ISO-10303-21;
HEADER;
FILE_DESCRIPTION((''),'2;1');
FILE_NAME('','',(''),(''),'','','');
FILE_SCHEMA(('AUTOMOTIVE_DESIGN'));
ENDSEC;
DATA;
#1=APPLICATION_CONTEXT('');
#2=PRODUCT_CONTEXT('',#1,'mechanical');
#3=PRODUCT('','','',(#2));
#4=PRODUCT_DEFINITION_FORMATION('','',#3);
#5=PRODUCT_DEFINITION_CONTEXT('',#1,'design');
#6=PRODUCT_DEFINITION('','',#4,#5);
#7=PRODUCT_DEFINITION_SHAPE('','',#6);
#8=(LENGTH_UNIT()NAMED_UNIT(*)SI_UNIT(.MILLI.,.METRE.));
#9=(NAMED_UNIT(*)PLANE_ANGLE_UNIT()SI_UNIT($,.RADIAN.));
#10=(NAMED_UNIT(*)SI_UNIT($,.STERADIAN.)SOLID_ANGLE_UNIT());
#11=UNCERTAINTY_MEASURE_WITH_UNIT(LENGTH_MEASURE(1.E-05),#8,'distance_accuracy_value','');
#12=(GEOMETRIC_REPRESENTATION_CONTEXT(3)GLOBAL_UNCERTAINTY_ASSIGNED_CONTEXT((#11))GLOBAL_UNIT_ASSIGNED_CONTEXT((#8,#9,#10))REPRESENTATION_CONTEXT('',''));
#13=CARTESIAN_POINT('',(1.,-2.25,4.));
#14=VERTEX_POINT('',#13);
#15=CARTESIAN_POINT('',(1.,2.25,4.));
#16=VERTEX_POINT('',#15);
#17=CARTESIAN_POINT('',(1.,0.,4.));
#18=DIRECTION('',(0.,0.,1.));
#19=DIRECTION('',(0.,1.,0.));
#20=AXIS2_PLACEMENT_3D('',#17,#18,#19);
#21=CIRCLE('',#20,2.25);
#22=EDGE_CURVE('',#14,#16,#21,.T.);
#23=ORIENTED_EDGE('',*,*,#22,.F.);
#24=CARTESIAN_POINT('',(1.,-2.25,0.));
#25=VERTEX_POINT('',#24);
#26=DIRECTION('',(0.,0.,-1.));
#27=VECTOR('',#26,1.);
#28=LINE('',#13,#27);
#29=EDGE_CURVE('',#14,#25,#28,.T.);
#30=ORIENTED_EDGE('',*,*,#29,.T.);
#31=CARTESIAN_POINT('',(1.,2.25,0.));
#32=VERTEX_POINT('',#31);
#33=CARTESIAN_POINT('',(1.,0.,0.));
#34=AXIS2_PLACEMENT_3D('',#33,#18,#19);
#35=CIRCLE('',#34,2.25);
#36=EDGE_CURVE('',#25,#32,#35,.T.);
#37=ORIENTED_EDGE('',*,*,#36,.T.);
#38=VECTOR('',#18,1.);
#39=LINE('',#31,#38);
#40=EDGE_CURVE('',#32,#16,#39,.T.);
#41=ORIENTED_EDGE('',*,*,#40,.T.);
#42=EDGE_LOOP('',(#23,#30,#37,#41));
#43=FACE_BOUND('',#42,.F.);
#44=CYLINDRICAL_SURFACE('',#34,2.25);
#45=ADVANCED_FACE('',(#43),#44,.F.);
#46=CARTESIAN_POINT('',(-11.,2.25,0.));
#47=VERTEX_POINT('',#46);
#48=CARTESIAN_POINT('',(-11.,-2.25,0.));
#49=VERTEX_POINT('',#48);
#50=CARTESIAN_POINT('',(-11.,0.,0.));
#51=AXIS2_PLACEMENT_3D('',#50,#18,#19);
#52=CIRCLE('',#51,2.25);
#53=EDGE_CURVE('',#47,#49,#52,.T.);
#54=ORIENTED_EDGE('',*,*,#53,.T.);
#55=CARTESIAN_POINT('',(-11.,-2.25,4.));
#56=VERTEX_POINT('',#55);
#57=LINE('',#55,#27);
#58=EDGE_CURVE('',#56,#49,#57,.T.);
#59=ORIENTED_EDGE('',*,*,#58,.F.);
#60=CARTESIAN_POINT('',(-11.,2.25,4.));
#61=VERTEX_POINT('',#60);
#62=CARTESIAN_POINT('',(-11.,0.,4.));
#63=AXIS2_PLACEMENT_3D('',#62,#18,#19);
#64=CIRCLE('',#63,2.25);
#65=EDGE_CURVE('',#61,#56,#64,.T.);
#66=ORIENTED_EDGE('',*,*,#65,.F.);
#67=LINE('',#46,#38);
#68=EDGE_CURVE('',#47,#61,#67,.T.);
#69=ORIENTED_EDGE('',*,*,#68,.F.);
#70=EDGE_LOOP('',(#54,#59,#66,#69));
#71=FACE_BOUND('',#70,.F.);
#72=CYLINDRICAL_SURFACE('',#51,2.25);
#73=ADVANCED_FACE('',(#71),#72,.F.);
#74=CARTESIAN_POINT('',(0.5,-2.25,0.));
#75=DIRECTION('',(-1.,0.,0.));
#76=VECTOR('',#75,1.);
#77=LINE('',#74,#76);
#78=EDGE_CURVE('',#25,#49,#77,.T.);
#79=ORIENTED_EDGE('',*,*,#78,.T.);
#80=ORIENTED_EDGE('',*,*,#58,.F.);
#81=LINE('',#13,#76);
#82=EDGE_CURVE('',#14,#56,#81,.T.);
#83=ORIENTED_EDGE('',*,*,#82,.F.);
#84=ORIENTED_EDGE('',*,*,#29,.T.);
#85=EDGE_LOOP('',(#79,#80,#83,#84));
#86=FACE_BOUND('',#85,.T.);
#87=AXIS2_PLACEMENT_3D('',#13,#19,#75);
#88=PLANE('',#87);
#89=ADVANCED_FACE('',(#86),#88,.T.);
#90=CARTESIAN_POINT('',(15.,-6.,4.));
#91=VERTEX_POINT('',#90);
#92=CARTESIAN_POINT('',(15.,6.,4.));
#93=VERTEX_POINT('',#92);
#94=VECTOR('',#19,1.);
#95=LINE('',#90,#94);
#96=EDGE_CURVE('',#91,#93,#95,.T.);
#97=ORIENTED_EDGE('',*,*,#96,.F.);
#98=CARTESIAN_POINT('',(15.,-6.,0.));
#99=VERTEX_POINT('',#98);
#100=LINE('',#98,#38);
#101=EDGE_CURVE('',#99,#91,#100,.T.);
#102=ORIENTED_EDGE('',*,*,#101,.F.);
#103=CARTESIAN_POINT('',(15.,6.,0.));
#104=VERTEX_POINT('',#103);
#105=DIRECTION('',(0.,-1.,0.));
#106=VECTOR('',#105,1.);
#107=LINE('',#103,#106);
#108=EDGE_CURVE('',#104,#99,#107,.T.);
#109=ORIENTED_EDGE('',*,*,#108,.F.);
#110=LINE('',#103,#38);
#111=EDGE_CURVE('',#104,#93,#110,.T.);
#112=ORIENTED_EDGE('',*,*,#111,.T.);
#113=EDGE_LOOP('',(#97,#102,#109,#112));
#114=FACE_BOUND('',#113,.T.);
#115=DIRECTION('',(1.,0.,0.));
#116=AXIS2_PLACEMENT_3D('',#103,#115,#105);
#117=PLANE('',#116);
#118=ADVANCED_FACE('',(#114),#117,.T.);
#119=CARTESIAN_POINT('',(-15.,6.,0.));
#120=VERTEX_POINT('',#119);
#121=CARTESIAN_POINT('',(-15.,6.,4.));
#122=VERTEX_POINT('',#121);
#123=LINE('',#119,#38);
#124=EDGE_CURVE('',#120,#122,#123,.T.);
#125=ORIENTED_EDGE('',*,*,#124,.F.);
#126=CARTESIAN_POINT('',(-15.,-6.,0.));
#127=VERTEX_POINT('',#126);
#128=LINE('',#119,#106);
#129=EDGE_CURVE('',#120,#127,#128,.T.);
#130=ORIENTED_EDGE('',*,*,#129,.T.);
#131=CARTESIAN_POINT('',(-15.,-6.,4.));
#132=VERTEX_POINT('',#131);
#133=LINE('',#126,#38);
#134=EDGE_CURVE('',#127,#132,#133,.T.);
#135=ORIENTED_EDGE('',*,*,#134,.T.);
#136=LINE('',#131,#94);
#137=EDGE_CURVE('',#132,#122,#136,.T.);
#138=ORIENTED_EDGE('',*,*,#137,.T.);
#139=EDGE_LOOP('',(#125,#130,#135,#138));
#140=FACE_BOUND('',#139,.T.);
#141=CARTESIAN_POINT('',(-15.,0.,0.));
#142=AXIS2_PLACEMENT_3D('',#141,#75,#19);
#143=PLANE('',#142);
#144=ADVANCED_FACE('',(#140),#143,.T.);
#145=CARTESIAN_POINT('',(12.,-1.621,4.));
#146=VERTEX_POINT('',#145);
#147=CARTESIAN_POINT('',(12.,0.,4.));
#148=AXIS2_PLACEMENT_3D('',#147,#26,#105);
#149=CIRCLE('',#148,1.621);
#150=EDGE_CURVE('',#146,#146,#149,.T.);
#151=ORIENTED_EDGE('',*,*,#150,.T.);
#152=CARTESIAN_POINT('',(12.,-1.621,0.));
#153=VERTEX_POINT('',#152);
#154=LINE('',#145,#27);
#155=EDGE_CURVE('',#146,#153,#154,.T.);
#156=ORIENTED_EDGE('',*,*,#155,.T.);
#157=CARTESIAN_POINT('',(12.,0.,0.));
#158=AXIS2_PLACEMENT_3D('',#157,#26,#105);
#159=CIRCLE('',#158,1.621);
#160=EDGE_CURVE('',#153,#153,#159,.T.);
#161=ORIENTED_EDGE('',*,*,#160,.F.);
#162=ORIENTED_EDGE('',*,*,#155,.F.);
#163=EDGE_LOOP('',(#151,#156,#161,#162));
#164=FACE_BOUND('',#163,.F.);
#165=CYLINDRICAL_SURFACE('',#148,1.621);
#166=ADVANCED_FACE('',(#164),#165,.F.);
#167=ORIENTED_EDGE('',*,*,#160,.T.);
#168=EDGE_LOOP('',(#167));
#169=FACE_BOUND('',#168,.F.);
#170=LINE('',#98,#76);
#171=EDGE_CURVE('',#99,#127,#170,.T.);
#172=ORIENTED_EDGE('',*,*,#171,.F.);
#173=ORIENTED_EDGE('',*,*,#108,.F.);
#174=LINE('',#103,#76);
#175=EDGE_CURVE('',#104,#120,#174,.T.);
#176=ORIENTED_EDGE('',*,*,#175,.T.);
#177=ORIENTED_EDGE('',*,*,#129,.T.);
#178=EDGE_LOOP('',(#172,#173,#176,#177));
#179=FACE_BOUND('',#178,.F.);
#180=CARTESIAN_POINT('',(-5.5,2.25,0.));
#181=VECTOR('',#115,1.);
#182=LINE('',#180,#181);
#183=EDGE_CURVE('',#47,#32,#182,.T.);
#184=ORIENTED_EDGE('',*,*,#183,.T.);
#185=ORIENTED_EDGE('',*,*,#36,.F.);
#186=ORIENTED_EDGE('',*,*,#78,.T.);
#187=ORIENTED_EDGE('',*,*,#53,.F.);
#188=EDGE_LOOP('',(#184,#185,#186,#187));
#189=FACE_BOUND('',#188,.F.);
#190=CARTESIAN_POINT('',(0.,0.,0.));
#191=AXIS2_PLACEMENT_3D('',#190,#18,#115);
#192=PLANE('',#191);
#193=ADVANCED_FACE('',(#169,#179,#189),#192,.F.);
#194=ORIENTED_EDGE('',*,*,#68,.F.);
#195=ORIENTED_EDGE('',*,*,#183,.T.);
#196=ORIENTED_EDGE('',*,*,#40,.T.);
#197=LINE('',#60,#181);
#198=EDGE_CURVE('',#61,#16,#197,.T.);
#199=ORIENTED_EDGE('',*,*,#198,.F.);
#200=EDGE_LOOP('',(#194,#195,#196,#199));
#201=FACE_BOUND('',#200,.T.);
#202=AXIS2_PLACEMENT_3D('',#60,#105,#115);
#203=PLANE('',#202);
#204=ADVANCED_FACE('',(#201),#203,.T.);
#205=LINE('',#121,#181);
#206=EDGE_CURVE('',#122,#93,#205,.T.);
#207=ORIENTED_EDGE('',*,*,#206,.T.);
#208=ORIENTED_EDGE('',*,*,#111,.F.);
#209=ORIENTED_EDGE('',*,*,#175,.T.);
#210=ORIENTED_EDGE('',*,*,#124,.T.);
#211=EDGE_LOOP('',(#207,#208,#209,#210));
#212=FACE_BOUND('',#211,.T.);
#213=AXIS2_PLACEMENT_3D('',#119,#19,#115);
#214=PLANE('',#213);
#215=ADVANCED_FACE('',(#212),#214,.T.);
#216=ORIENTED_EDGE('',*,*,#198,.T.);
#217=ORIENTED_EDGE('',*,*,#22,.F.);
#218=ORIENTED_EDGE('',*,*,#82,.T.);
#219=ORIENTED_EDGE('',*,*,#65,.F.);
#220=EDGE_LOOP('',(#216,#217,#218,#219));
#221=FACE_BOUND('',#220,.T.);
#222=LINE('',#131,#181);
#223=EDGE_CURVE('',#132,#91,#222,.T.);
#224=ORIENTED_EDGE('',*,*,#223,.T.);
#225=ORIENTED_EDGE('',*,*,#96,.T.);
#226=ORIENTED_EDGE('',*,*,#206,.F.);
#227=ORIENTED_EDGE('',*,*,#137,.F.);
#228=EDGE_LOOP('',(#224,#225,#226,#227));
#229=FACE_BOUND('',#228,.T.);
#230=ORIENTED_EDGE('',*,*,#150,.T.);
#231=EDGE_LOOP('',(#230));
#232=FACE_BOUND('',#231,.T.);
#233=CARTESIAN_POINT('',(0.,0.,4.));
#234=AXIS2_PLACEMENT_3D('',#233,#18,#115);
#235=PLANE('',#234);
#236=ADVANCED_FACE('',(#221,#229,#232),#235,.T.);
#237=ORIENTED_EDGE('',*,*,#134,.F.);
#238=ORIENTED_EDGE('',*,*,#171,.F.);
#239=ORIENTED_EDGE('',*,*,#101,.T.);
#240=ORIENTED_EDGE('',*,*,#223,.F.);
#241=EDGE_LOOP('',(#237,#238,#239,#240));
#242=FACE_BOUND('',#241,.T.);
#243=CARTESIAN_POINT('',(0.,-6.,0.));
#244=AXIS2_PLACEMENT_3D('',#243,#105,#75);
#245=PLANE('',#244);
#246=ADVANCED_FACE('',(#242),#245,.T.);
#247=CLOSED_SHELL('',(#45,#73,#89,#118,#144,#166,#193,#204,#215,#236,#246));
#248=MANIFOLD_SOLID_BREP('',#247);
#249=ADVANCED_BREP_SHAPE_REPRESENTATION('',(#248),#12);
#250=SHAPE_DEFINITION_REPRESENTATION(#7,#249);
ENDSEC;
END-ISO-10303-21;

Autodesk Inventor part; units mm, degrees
ref_plane "YZ Plane" through (0, 0, 0) normal (1, 0, 0) x (0, 1, 0)
ref_plane "XZ Plane" through (0, 0, 0) normal (0, 1, 0) x (-1, 0, 0)
ref_plane "XY Plane" through (0, 0, 0) normal (0, 0, 1) x (1, 0, 0)
sketch "Skizze1" plane through (0, 0, 0) normal (0, 0, 1) x (1, 0, 0)
  line L0 (-21, 0) -> (21, 0) projected
  line L1 (0, -8.4) -> (0, 8.4) projected
  line L2 (15, -6) -> (-15, -6)
  line L3 (-15, -6) -> (-15, 6)
  line L4 (-15, 6) -> (15, 6)
  line L5 (15, 6) -> (15, -6)
  line L6 (15, -6) -> (-15, 6) construction
  line L7 (-15, -6) -> (15, 6) construction
  point P0 (0, 0)
  dimension "d0" = 12
  dimension "d1" = 30
extrude "Extrusion1" add sketch "Skizze1" along normal blind 4
sketch "Skizze2" plane through (0, 0, 0) normal (0, 0, -1) x (-1, 0, 0)
  line L0 (15, -6) -> (-15, -6) projected
  line L1 (15, 6) -> (15, -6) projected
  line L2 (-15, 6) -> (15, 6) projected
  line L3 (21, 0) -> (-21, 0) projected
  line L4 (0, -8.4) -> (0, 8.4) projected
  point P0 (0, 0)
  point P1 (-1, 0)
  point P2 (11, 0)
  point P3 (15, 0)
  dimension "d5" = 4
  dimension "d6" = 16
hole "Bohrung1" at (1, 0, 0) at (-11, 0, 0) direction (0, 0, 1) diameter 4.5 end through all
sketch "Skizze3" plane through (0, 0, 4) normal (0, 0, 1) x (1, 0, 0)
  circle A0 centre (-11, 0) radius 2.25 projected
  circle A1 centre (1, 0) radius 2.25 projected
  line L0 (-15, -6) -> (15, -6) projected
  line L1 (15, -6) -> (15, 6) projected
  line L2 (15, 6) -> (-15, 6) projected
  line L3 (-15, 6) -> (-15, -6) projected
  line L4 (-21, 0) -> (21, 0) projected
  line L5 (0, -8.4) -> (0, 8.4) projected
  point P0 (0, 0)
  point P1 (12, 0)
  dimension "d14" = 3
hole "Bohrung2" at (12, 0, 4) direction (0, 0, -1) diameter 3.242 end through all thread size "M4x0.7" class "6H" standard "ISO Metric profile"
sketch "Skizze4" plane through (0, 0, 4) normal (0, 0, 1) x (1, 0, 0)
  circle A0 centre (12, 0) radius 1.621 projected
  circle A1 centre (-11, 0) radius 2.25 projected
  circle A2 centre (1, 0) radius 2.25 projected
  line L0 (-15, -6) -> (15, -6) projected
  line L1 (15, -6) -> (15, 6) projected
  line L2 (15, 6) -> (-15, 6) projected
  line L3 (-15, 6) -> (-15, -6) projected
  line L4 (-11, 2.25) -> (1, 2.25)
  line L5 (1, 2.25) -> (1, -2.25)
  line L6 (1, -2.25) -> (-11, -2.25)
  line L7 (-11, -2.25) -> (-11, 2.25)
  circle A3 centre (1, 0) radius 2.25 projected
  point P0 (0, 0)
extrude "Extrusion2" cut sketch "Skizze4" against normal through all contours A1 L4 A2 L6
properties part number "24_0497_0021"
